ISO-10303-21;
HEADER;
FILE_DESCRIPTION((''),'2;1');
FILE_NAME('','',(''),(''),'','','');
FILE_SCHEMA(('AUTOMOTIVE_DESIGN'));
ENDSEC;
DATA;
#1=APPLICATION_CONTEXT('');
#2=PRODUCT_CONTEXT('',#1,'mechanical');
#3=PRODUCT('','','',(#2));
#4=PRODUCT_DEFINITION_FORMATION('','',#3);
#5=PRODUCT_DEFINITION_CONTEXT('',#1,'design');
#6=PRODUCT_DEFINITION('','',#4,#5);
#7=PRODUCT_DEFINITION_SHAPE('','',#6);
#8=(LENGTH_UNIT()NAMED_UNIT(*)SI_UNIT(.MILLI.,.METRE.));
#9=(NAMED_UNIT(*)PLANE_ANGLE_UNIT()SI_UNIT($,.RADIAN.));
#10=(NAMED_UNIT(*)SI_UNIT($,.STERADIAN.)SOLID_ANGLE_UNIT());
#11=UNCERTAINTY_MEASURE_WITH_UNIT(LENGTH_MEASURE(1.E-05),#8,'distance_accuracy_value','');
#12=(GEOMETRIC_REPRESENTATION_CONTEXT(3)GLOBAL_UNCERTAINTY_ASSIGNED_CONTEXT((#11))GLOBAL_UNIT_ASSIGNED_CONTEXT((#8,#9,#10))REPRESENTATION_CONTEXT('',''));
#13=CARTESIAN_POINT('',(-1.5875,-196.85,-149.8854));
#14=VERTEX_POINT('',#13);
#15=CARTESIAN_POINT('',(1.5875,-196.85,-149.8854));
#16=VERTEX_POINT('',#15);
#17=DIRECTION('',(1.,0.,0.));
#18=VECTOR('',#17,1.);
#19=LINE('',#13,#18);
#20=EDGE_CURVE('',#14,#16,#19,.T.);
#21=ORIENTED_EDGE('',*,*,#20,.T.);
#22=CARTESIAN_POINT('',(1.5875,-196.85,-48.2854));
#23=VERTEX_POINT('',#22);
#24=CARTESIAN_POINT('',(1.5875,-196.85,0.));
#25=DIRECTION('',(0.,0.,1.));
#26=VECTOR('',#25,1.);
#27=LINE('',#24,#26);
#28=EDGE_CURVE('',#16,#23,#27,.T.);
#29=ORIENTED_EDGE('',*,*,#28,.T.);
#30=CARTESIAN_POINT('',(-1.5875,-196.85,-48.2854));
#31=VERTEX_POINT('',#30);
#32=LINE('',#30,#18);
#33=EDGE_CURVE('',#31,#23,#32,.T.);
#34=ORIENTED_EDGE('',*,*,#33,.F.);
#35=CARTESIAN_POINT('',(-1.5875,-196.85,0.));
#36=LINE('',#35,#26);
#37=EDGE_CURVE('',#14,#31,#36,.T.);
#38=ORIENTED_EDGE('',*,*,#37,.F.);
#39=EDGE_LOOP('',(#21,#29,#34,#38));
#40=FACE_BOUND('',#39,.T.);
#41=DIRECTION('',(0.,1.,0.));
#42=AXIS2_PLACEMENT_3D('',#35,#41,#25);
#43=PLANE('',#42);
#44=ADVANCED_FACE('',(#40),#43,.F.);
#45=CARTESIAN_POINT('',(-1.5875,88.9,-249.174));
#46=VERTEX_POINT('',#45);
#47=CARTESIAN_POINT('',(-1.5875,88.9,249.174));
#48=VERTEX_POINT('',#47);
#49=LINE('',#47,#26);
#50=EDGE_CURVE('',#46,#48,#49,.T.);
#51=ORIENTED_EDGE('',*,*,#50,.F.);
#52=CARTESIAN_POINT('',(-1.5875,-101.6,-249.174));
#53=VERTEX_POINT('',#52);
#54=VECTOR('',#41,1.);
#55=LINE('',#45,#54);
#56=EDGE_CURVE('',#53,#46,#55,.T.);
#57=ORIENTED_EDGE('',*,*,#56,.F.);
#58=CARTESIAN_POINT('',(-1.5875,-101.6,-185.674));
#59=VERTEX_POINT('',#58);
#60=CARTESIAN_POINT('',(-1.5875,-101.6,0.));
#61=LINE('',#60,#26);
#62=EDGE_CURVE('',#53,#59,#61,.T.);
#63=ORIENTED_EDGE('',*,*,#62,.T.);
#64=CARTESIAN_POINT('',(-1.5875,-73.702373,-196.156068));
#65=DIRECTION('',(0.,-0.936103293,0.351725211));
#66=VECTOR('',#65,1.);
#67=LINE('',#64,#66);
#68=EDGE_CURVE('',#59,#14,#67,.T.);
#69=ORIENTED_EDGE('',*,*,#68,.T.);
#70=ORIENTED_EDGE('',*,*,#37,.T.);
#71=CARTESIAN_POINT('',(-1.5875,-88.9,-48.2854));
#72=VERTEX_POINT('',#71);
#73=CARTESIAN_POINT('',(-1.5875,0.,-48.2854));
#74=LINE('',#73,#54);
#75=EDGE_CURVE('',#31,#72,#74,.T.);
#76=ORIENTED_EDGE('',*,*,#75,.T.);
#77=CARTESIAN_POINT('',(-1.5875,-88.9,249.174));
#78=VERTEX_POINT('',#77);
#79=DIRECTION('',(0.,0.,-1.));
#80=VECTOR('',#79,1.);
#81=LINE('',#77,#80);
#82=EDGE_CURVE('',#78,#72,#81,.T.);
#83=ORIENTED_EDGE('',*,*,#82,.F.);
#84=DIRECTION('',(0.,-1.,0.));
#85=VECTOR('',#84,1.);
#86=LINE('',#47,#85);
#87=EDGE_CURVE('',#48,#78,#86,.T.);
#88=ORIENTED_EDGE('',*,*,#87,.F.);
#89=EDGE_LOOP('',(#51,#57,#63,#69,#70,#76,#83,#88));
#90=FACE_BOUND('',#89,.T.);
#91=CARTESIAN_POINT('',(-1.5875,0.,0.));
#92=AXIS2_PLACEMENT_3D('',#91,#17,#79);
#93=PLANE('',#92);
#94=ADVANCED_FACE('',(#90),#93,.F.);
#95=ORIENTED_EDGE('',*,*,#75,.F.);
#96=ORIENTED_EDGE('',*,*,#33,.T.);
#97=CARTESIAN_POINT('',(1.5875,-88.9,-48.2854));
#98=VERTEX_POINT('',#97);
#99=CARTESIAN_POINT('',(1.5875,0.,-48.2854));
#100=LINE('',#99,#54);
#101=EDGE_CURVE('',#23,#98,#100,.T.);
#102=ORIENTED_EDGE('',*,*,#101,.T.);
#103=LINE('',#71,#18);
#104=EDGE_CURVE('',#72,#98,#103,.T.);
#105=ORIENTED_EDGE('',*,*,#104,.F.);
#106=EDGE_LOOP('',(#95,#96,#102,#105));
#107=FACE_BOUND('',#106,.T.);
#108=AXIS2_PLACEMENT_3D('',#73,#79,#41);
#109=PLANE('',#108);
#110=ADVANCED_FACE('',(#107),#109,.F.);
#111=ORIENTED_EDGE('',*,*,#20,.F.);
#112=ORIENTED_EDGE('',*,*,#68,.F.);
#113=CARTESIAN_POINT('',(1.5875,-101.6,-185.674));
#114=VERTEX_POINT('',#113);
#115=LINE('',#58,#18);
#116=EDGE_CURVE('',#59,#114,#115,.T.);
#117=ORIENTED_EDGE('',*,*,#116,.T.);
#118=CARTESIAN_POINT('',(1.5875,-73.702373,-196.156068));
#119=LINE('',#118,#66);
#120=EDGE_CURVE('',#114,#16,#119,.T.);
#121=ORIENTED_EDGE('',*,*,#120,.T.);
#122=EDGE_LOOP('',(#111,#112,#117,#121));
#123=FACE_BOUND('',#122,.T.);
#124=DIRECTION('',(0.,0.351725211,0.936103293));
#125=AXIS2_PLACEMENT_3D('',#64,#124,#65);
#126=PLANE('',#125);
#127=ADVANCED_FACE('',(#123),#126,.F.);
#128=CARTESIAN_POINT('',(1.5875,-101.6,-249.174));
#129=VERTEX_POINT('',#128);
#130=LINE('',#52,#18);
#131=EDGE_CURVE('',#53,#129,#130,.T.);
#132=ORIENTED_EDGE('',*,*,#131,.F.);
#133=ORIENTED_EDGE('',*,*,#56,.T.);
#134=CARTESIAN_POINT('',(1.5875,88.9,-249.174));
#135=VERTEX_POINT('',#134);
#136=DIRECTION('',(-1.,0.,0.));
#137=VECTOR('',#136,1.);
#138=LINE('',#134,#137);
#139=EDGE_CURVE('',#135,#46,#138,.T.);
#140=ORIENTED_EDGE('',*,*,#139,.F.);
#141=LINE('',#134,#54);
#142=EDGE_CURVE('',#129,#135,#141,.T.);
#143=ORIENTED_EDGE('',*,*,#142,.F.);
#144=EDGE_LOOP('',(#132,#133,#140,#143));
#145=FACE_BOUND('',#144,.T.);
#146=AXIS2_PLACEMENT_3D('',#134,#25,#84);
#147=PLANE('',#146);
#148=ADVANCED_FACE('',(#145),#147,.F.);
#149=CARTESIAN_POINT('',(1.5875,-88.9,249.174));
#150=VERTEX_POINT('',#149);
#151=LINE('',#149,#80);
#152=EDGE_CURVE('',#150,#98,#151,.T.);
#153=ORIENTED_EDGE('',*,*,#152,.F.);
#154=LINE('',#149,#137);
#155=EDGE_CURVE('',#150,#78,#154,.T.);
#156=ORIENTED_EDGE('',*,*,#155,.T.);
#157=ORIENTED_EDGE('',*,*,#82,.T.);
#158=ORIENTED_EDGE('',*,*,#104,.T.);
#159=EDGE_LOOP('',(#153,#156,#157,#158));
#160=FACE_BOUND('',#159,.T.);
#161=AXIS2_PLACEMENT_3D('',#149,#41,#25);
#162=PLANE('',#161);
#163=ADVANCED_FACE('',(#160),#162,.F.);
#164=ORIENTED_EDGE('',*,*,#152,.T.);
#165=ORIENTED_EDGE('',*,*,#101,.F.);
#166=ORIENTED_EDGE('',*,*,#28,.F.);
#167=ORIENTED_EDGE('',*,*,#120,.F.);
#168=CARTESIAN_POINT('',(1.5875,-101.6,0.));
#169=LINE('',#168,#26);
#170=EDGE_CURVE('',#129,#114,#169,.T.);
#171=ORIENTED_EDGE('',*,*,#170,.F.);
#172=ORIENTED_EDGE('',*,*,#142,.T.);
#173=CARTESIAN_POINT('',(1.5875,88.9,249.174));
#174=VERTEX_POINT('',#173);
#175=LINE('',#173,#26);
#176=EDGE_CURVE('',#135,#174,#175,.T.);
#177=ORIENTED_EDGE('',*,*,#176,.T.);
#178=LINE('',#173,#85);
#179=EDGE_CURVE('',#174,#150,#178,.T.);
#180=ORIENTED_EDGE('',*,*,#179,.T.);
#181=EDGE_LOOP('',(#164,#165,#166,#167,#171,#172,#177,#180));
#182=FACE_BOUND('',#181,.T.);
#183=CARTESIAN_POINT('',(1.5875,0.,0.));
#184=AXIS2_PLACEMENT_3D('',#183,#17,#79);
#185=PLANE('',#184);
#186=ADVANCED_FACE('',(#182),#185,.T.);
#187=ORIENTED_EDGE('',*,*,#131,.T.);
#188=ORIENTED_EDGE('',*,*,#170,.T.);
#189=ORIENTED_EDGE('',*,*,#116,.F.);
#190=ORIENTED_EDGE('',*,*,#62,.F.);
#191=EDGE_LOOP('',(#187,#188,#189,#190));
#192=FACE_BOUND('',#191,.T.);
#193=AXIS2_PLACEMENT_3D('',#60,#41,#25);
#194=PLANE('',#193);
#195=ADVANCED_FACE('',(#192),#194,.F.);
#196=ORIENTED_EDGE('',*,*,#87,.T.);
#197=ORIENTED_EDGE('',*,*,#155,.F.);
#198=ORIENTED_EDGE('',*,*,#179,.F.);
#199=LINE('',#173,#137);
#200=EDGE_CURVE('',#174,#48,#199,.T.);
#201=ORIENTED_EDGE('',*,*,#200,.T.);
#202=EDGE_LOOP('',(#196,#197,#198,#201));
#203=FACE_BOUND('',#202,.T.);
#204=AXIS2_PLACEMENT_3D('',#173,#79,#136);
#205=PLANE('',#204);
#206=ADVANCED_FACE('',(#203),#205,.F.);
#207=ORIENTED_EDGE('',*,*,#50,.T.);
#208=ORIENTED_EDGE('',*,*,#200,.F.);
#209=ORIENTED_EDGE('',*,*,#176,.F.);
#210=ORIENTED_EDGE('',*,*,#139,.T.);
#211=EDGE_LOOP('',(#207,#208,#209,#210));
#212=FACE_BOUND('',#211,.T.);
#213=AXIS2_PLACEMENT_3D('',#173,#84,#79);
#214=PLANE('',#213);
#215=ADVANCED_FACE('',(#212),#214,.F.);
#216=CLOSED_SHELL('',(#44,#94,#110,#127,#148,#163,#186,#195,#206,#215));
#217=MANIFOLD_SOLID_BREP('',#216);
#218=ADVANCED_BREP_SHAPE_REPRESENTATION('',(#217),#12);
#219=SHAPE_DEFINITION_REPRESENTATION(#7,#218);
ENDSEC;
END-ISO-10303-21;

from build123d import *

# Parameters (mm, degrees)
SKETCH1_W           = 498.348
SKETCH1_H           = 177.8
BOSS_EXTRUDE1_DEPTH = 1.5875
BOSS_EXTRUDE2_DEPTH = 3.175


with BuildPart() as part:
    # Sketch1 → Boss-Extrude1 (new, symmetric)
    with BuildSketch(Plane(origin=(0, 0, 0), x_dir=(0, 0, -1), z_dir=(1, 0, 0))):
        Rectangle(SKETCH1_W, SKETCH1_H)
    extrude(amount=BOSS_EXTRUDE1_DEPTH, both=True)

    # Sketch2 → Boss-Extrude2 (add)
    with BuildSketch(Plane(origin=(1.5875, 0, 0), x_dir=(0, 0, -1), z_dir=(1, 0, 0))):
        Polygon((249.174, -101.6), (249.174, -88.9), (48.2854, -88.9), (48.2854, -196.85), (149.8854, -196.85), (185.674, -101.6), align=None)
    extrude(amount=-BOSS_EXTRUDE2_DEPTH)


solid = part.part
